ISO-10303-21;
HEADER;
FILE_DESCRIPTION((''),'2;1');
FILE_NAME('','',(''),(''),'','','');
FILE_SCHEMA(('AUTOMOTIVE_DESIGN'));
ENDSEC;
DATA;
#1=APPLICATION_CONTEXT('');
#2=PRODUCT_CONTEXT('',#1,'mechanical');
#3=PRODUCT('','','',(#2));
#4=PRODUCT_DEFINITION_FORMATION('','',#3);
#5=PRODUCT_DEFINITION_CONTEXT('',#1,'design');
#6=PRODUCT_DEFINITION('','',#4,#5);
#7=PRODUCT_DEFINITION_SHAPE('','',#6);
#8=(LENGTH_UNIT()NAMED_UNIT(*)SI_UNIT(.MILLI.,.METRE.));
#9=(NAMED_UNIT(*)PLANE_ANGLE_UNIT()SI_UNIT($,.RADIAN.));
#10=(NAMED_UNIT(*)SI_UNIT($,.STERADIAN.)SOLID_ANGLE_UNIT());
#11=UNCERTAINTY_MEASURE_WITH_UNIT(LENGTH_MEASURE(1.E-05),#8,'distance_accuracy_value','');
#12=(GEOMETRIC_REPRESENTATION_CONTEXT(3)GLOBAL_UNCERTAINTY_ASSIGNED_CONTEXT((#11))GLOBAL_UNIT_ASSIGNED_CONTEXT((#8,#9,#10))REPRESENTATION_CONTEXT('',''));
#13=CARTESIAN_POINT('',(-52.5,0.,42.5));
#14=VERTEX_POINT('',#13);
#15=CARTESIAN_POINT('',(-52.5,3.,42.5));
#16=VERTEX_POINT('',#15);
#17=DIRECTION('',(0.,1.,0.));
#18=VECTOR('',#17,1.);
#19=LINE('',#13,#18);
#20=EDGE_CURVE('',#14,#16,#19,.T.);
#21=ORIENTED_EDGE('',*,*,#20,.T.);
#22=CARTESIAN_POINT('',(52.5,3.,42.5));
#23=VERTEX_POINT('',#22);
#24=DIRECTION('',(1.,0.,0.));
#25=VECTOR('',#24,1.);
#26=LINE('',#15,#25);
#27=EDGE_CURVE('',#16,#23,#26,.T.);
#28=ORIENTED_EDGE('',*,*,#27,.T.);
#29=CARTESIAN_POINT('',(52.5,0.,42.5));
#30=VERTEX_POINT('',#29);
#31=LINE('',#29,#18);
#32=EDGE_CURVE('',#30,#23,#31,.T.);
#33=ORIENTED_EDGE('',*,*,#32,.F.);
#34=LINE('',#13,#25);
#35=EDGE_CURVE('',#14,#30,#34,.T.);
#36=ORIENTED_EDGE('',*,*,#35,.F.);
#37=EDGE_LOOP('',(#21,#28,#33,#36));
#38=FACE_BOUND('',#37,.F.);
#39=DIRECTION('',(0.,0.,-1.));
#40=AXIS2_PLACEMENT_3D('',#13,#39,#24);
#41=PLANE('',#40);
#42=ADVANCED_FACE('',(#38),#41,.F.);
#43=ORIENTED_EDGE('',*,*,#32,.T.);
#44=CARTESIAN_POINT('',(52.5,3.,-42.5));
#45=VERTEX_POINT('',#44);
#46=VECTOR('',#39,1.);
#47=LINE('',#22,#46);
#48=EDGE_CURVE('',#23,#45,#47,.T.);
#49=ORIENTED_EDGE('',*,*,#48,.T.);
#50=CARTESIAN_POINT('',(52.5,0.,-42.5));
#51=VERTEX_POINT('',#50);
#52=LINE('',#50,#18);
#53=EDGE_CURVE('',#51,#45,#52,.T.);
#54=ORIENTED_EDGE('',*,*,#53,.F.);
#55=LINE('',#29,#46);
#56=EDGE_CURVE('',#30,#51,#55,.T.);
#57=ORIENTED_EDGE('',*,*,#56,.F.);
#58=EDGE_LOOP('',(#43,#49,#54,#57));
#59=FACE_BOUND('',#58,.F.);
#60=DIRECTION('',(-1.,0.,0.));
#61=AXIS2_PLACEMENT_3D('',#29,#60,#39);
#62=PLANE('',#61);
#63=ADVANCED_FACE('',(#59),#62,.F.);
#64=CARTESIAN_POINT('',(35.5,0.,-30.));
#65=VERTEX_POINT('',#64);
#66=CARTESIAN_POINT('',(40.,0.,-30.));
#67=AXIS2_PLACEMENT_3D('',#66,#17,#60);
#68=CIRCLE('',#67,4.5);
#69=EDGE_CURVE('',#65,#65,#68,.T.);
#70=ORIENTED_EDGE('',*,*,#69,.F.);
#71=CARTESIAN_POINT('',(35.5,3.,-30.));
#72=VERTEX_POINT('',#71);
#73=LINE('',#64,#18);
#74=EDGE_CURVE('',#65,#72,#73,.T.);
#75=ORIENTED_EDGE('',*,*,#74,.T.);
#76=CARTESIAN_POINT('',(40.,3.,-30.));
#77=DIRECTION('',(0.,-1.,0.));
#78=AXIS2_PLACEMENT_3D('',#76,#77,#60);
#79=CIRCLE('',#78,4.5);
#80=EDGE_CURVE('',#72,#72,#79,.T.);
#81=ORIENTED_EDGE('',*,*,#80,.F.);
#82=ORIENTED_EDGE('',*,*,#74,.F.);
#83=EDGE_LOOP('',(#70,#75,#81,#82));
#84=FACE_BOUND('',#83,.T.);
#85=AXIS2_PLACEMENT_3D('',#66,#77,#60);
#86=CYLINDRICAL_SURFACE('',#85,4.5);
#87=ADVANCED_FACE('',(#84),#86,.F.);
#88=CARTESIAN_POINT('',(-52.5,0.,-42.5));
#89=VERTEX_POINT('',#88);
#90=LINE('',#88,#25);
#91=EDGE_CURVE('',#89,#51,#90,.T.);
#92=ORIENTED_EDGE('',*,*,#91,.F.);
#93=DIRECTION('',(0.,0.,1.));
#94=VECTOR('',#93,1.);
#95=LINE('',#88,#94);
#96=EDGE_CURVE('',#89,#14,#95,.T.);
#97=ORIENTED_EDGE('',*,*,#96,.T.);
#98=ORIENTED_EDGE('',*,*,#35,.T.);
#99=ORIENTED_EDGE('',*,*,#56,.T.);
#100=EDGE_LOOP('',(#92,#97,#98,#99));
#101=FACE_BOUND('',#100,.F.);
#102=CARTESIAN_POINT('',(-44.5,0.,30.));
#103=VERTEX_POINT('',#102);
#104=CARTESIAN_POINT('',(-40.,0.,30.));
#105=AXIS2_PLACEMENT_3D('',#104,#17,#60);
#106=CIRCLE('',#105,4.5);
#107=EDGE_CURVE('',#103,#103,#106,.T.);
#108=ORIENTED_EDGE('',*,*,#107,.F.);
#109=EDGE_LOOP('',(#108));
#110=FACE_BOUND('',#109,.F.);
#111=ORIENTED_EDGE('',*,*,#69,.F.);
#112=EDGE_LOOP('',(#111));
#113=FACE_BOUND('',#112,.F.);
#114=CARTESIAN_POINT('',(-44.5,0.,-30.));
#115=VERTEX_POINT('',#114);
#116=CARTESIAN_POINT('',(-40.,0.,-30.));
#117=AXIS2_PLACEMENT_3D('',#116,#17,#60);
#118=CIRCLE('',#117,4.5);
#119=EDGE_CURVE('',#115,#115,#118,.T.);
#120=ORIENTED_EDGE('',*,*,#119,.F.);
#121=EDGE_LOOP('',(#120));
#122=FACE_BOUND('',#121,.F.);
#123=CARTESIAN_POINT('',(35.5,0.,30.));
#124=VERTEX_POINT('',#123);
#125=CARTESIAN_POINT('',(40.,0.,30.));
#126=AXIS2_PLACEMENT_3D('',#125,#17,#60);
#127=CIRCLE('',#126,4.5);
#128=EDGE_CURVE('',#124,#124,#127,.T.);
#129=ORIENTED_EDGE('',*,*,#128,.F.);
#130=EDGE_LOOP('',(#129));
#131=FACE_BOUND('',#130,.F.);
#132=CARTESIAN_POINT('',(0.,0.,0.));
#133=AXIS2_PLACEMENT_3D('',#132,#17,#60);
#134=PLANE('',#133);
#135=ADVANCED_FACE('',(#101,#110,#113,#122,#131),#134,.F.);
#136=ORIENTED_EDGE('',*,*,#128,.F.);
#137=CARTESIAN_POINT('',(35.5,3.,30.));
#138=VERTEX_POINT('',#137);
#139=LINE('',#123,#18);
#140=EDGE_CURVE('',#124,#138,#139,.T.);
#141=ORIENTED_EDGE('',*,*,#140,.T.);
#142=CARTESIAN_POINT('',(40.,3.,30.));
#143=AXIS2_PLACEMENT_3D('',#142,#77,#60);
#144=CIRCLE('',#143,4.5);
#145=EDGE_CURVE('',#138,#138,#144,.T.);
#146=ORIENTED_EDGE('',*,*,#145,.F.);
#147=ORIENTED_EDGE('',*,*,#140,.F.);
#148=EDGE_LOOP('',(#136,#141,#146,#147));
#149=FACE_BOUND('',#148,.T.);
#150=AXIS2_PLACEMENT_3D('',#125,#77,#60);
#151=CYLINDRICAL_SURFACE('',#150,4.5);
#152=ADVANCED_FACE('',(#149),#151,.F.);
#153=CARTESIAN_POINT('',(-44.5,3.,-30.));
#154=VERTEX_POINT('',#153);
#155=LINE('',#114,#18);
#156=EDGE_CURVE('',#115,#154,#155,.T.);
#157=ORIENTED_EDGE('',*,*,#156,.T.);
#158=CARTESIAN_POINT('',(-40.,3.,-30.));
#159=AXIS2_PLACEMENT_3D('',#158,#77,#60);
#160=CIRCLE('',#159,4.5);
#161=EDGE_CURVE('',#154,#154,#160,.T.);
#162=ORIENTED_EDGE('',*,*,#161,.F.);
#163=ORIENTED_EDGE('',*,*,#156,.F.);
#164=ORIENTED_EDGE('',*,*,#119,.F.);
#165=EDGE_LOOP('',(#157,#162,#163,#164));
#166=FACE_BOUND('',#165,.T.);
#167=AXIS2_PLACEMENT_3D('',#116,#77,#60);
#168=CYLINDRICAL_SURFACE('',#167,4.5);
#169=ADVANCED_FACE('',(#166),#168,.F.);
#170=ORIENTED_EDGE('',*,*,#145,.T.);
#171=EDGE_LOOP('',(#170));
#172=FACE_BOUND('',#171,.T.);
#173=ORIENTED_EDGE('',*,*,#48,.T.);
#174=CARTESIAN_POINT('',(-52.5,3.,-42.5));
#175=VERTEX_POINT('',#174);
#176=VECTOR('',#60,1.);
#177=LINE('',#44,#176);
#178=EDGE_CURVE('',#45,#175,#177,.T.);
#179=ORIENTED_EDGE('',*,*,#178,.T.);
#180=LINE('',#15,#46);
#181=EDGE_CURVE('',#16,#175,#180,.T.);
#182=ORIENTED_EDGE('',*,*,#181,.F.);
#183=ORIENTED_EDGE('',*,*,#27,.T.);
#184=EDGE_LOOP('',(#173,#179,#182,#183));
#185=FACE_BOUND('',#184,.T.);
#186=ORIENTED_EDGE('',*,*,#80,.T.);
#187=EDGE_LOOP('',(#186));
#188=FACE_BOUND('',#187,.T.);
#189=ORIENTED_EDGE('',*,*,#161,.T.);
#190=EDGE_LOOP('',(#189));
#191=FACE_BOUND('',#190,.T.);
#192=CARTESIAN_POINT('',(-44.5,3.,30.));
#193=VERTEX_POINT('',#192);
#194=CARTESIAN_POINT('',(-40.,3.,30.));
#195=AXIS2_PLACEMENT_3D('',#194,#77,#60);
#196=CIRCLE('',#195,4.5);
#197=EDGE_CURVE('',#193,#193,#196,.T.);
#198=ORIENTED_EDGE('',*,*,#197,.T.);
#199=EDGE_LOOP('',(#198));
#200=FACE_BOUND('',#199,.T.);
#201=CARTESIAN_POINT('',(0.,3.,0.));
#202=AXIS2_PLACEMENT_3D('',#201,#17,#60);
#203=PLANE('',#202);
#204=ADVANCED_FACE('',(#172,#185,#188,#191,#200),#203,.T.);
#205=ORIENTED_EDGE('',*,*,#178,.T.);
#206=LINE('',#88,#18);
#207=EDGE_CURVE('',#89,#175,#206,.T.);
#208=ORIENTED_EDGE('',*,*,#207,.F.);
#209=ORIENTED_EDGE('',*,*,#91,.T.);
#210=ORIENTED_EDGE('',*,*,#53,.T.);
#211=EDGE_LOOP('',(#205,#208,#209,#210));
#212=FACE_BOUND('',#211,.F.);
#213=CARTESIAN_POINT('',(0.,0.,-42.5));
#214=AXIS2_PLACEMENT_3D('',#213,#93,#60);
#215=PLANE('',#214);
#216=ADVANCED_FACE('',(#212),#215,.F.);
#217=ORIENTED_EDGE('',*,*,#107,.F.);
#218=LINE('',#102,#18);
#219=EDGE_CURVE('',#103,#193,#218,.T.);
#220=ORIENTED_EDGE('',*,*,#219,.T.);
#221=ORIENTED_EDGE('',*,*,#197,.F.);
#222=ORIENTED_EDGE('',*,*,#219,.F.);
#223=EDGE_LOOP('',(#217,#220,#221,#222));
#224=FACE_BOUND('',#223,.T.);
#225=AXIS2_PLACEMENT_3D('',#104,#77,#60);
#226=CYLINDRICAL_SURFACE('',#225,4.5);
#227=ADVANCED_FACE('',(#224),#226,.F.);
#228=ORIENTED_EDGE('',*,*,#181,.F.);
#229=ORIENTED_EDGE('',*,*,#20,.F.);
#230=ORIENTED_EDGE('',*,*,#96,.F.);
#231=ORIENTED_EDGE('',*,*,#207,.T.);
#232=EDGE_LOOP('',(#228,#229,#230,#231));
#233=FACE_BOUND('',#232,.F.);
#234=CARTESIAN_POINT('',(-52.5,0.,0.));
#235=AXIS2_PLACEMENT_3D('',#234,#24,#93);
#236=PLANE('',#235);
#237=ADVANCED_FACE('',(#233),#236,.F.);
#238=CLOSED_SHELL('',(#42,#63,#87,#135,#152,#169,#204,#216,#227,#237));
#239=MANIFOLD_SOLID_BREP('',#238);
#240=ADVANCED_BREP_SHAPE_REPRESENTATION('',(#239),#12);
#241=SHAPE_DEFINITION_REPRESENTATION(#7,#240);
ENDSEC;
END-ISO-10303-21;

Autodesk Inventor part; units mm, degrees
ref_plane "YZ Plane" through (0, 0, 0) normal (1, 0, 0) x (0, 1, 0)
ref_plane "XZ Plane" through (0, 0, 0) normal (0, 1, 0) x (-1, 0, 0)
ref_plane "XY Plane" through (0, 0, 0) normal (0, 0, 1) x (1, 0, 0)
sketch "Boceto1" plane through (0, 0, 0) normal (0, 1, 0) x (-1, 0, 0)
  line L0 (52.5, 42.5) -> (-52.5, 42.5)
  line L1 (-52.5, 42.5) -> (-52.5, -42.5)
  line L2 (-52.5, -42.5) -> (52.5, -42.5)
  line L3 (52.5, -42.5) -> (52.5, 42.5)
  line L4 (40, 30) -> (-40, 30)
  line L5 (-40, 30) -> (-40, -30)
  line L6 (-40, -30) -> (40, -30)
  line L7 (40, -30) -> (40, 30)
  line L8 (0, -30) -> (0, -42.5)
  line L9 (52.5, 0) -> (40, 0)
  line L10 (40, 0) -> (0, 0) construction
  line L11 (0, -30) -> (0, 0) construction
  circle A0 centre (40, 30) radius 4.5
  circle A1 centre (40, -30) radius 4.5
  circle A2 centre (-40, -30) radius 4.5
  circle A3 centre (-40, 30) radius 4.5
  dimension "d0" = 105
  dimension "d1" = 85
  dimension "d4" = 80
  dimension "d5" = 60
  dimension "d6" = 9
  dimension "d7" = 9
  dimension "d8" = 9
  dimension "d9" = 9
extrude "Extrusión1" add sketch "Boceto1" along normal blind 3 contours L3 L9 L7 A0 L4 A3 L5 A2 L6 L8 L2 L1 L0 | L3 L2 L8 L6 A1 L7 L9 | L7 A1 L6 A2 L5 A3 L4 A0
properties part number "Placa_Rueda_105x85_80x60_3"
